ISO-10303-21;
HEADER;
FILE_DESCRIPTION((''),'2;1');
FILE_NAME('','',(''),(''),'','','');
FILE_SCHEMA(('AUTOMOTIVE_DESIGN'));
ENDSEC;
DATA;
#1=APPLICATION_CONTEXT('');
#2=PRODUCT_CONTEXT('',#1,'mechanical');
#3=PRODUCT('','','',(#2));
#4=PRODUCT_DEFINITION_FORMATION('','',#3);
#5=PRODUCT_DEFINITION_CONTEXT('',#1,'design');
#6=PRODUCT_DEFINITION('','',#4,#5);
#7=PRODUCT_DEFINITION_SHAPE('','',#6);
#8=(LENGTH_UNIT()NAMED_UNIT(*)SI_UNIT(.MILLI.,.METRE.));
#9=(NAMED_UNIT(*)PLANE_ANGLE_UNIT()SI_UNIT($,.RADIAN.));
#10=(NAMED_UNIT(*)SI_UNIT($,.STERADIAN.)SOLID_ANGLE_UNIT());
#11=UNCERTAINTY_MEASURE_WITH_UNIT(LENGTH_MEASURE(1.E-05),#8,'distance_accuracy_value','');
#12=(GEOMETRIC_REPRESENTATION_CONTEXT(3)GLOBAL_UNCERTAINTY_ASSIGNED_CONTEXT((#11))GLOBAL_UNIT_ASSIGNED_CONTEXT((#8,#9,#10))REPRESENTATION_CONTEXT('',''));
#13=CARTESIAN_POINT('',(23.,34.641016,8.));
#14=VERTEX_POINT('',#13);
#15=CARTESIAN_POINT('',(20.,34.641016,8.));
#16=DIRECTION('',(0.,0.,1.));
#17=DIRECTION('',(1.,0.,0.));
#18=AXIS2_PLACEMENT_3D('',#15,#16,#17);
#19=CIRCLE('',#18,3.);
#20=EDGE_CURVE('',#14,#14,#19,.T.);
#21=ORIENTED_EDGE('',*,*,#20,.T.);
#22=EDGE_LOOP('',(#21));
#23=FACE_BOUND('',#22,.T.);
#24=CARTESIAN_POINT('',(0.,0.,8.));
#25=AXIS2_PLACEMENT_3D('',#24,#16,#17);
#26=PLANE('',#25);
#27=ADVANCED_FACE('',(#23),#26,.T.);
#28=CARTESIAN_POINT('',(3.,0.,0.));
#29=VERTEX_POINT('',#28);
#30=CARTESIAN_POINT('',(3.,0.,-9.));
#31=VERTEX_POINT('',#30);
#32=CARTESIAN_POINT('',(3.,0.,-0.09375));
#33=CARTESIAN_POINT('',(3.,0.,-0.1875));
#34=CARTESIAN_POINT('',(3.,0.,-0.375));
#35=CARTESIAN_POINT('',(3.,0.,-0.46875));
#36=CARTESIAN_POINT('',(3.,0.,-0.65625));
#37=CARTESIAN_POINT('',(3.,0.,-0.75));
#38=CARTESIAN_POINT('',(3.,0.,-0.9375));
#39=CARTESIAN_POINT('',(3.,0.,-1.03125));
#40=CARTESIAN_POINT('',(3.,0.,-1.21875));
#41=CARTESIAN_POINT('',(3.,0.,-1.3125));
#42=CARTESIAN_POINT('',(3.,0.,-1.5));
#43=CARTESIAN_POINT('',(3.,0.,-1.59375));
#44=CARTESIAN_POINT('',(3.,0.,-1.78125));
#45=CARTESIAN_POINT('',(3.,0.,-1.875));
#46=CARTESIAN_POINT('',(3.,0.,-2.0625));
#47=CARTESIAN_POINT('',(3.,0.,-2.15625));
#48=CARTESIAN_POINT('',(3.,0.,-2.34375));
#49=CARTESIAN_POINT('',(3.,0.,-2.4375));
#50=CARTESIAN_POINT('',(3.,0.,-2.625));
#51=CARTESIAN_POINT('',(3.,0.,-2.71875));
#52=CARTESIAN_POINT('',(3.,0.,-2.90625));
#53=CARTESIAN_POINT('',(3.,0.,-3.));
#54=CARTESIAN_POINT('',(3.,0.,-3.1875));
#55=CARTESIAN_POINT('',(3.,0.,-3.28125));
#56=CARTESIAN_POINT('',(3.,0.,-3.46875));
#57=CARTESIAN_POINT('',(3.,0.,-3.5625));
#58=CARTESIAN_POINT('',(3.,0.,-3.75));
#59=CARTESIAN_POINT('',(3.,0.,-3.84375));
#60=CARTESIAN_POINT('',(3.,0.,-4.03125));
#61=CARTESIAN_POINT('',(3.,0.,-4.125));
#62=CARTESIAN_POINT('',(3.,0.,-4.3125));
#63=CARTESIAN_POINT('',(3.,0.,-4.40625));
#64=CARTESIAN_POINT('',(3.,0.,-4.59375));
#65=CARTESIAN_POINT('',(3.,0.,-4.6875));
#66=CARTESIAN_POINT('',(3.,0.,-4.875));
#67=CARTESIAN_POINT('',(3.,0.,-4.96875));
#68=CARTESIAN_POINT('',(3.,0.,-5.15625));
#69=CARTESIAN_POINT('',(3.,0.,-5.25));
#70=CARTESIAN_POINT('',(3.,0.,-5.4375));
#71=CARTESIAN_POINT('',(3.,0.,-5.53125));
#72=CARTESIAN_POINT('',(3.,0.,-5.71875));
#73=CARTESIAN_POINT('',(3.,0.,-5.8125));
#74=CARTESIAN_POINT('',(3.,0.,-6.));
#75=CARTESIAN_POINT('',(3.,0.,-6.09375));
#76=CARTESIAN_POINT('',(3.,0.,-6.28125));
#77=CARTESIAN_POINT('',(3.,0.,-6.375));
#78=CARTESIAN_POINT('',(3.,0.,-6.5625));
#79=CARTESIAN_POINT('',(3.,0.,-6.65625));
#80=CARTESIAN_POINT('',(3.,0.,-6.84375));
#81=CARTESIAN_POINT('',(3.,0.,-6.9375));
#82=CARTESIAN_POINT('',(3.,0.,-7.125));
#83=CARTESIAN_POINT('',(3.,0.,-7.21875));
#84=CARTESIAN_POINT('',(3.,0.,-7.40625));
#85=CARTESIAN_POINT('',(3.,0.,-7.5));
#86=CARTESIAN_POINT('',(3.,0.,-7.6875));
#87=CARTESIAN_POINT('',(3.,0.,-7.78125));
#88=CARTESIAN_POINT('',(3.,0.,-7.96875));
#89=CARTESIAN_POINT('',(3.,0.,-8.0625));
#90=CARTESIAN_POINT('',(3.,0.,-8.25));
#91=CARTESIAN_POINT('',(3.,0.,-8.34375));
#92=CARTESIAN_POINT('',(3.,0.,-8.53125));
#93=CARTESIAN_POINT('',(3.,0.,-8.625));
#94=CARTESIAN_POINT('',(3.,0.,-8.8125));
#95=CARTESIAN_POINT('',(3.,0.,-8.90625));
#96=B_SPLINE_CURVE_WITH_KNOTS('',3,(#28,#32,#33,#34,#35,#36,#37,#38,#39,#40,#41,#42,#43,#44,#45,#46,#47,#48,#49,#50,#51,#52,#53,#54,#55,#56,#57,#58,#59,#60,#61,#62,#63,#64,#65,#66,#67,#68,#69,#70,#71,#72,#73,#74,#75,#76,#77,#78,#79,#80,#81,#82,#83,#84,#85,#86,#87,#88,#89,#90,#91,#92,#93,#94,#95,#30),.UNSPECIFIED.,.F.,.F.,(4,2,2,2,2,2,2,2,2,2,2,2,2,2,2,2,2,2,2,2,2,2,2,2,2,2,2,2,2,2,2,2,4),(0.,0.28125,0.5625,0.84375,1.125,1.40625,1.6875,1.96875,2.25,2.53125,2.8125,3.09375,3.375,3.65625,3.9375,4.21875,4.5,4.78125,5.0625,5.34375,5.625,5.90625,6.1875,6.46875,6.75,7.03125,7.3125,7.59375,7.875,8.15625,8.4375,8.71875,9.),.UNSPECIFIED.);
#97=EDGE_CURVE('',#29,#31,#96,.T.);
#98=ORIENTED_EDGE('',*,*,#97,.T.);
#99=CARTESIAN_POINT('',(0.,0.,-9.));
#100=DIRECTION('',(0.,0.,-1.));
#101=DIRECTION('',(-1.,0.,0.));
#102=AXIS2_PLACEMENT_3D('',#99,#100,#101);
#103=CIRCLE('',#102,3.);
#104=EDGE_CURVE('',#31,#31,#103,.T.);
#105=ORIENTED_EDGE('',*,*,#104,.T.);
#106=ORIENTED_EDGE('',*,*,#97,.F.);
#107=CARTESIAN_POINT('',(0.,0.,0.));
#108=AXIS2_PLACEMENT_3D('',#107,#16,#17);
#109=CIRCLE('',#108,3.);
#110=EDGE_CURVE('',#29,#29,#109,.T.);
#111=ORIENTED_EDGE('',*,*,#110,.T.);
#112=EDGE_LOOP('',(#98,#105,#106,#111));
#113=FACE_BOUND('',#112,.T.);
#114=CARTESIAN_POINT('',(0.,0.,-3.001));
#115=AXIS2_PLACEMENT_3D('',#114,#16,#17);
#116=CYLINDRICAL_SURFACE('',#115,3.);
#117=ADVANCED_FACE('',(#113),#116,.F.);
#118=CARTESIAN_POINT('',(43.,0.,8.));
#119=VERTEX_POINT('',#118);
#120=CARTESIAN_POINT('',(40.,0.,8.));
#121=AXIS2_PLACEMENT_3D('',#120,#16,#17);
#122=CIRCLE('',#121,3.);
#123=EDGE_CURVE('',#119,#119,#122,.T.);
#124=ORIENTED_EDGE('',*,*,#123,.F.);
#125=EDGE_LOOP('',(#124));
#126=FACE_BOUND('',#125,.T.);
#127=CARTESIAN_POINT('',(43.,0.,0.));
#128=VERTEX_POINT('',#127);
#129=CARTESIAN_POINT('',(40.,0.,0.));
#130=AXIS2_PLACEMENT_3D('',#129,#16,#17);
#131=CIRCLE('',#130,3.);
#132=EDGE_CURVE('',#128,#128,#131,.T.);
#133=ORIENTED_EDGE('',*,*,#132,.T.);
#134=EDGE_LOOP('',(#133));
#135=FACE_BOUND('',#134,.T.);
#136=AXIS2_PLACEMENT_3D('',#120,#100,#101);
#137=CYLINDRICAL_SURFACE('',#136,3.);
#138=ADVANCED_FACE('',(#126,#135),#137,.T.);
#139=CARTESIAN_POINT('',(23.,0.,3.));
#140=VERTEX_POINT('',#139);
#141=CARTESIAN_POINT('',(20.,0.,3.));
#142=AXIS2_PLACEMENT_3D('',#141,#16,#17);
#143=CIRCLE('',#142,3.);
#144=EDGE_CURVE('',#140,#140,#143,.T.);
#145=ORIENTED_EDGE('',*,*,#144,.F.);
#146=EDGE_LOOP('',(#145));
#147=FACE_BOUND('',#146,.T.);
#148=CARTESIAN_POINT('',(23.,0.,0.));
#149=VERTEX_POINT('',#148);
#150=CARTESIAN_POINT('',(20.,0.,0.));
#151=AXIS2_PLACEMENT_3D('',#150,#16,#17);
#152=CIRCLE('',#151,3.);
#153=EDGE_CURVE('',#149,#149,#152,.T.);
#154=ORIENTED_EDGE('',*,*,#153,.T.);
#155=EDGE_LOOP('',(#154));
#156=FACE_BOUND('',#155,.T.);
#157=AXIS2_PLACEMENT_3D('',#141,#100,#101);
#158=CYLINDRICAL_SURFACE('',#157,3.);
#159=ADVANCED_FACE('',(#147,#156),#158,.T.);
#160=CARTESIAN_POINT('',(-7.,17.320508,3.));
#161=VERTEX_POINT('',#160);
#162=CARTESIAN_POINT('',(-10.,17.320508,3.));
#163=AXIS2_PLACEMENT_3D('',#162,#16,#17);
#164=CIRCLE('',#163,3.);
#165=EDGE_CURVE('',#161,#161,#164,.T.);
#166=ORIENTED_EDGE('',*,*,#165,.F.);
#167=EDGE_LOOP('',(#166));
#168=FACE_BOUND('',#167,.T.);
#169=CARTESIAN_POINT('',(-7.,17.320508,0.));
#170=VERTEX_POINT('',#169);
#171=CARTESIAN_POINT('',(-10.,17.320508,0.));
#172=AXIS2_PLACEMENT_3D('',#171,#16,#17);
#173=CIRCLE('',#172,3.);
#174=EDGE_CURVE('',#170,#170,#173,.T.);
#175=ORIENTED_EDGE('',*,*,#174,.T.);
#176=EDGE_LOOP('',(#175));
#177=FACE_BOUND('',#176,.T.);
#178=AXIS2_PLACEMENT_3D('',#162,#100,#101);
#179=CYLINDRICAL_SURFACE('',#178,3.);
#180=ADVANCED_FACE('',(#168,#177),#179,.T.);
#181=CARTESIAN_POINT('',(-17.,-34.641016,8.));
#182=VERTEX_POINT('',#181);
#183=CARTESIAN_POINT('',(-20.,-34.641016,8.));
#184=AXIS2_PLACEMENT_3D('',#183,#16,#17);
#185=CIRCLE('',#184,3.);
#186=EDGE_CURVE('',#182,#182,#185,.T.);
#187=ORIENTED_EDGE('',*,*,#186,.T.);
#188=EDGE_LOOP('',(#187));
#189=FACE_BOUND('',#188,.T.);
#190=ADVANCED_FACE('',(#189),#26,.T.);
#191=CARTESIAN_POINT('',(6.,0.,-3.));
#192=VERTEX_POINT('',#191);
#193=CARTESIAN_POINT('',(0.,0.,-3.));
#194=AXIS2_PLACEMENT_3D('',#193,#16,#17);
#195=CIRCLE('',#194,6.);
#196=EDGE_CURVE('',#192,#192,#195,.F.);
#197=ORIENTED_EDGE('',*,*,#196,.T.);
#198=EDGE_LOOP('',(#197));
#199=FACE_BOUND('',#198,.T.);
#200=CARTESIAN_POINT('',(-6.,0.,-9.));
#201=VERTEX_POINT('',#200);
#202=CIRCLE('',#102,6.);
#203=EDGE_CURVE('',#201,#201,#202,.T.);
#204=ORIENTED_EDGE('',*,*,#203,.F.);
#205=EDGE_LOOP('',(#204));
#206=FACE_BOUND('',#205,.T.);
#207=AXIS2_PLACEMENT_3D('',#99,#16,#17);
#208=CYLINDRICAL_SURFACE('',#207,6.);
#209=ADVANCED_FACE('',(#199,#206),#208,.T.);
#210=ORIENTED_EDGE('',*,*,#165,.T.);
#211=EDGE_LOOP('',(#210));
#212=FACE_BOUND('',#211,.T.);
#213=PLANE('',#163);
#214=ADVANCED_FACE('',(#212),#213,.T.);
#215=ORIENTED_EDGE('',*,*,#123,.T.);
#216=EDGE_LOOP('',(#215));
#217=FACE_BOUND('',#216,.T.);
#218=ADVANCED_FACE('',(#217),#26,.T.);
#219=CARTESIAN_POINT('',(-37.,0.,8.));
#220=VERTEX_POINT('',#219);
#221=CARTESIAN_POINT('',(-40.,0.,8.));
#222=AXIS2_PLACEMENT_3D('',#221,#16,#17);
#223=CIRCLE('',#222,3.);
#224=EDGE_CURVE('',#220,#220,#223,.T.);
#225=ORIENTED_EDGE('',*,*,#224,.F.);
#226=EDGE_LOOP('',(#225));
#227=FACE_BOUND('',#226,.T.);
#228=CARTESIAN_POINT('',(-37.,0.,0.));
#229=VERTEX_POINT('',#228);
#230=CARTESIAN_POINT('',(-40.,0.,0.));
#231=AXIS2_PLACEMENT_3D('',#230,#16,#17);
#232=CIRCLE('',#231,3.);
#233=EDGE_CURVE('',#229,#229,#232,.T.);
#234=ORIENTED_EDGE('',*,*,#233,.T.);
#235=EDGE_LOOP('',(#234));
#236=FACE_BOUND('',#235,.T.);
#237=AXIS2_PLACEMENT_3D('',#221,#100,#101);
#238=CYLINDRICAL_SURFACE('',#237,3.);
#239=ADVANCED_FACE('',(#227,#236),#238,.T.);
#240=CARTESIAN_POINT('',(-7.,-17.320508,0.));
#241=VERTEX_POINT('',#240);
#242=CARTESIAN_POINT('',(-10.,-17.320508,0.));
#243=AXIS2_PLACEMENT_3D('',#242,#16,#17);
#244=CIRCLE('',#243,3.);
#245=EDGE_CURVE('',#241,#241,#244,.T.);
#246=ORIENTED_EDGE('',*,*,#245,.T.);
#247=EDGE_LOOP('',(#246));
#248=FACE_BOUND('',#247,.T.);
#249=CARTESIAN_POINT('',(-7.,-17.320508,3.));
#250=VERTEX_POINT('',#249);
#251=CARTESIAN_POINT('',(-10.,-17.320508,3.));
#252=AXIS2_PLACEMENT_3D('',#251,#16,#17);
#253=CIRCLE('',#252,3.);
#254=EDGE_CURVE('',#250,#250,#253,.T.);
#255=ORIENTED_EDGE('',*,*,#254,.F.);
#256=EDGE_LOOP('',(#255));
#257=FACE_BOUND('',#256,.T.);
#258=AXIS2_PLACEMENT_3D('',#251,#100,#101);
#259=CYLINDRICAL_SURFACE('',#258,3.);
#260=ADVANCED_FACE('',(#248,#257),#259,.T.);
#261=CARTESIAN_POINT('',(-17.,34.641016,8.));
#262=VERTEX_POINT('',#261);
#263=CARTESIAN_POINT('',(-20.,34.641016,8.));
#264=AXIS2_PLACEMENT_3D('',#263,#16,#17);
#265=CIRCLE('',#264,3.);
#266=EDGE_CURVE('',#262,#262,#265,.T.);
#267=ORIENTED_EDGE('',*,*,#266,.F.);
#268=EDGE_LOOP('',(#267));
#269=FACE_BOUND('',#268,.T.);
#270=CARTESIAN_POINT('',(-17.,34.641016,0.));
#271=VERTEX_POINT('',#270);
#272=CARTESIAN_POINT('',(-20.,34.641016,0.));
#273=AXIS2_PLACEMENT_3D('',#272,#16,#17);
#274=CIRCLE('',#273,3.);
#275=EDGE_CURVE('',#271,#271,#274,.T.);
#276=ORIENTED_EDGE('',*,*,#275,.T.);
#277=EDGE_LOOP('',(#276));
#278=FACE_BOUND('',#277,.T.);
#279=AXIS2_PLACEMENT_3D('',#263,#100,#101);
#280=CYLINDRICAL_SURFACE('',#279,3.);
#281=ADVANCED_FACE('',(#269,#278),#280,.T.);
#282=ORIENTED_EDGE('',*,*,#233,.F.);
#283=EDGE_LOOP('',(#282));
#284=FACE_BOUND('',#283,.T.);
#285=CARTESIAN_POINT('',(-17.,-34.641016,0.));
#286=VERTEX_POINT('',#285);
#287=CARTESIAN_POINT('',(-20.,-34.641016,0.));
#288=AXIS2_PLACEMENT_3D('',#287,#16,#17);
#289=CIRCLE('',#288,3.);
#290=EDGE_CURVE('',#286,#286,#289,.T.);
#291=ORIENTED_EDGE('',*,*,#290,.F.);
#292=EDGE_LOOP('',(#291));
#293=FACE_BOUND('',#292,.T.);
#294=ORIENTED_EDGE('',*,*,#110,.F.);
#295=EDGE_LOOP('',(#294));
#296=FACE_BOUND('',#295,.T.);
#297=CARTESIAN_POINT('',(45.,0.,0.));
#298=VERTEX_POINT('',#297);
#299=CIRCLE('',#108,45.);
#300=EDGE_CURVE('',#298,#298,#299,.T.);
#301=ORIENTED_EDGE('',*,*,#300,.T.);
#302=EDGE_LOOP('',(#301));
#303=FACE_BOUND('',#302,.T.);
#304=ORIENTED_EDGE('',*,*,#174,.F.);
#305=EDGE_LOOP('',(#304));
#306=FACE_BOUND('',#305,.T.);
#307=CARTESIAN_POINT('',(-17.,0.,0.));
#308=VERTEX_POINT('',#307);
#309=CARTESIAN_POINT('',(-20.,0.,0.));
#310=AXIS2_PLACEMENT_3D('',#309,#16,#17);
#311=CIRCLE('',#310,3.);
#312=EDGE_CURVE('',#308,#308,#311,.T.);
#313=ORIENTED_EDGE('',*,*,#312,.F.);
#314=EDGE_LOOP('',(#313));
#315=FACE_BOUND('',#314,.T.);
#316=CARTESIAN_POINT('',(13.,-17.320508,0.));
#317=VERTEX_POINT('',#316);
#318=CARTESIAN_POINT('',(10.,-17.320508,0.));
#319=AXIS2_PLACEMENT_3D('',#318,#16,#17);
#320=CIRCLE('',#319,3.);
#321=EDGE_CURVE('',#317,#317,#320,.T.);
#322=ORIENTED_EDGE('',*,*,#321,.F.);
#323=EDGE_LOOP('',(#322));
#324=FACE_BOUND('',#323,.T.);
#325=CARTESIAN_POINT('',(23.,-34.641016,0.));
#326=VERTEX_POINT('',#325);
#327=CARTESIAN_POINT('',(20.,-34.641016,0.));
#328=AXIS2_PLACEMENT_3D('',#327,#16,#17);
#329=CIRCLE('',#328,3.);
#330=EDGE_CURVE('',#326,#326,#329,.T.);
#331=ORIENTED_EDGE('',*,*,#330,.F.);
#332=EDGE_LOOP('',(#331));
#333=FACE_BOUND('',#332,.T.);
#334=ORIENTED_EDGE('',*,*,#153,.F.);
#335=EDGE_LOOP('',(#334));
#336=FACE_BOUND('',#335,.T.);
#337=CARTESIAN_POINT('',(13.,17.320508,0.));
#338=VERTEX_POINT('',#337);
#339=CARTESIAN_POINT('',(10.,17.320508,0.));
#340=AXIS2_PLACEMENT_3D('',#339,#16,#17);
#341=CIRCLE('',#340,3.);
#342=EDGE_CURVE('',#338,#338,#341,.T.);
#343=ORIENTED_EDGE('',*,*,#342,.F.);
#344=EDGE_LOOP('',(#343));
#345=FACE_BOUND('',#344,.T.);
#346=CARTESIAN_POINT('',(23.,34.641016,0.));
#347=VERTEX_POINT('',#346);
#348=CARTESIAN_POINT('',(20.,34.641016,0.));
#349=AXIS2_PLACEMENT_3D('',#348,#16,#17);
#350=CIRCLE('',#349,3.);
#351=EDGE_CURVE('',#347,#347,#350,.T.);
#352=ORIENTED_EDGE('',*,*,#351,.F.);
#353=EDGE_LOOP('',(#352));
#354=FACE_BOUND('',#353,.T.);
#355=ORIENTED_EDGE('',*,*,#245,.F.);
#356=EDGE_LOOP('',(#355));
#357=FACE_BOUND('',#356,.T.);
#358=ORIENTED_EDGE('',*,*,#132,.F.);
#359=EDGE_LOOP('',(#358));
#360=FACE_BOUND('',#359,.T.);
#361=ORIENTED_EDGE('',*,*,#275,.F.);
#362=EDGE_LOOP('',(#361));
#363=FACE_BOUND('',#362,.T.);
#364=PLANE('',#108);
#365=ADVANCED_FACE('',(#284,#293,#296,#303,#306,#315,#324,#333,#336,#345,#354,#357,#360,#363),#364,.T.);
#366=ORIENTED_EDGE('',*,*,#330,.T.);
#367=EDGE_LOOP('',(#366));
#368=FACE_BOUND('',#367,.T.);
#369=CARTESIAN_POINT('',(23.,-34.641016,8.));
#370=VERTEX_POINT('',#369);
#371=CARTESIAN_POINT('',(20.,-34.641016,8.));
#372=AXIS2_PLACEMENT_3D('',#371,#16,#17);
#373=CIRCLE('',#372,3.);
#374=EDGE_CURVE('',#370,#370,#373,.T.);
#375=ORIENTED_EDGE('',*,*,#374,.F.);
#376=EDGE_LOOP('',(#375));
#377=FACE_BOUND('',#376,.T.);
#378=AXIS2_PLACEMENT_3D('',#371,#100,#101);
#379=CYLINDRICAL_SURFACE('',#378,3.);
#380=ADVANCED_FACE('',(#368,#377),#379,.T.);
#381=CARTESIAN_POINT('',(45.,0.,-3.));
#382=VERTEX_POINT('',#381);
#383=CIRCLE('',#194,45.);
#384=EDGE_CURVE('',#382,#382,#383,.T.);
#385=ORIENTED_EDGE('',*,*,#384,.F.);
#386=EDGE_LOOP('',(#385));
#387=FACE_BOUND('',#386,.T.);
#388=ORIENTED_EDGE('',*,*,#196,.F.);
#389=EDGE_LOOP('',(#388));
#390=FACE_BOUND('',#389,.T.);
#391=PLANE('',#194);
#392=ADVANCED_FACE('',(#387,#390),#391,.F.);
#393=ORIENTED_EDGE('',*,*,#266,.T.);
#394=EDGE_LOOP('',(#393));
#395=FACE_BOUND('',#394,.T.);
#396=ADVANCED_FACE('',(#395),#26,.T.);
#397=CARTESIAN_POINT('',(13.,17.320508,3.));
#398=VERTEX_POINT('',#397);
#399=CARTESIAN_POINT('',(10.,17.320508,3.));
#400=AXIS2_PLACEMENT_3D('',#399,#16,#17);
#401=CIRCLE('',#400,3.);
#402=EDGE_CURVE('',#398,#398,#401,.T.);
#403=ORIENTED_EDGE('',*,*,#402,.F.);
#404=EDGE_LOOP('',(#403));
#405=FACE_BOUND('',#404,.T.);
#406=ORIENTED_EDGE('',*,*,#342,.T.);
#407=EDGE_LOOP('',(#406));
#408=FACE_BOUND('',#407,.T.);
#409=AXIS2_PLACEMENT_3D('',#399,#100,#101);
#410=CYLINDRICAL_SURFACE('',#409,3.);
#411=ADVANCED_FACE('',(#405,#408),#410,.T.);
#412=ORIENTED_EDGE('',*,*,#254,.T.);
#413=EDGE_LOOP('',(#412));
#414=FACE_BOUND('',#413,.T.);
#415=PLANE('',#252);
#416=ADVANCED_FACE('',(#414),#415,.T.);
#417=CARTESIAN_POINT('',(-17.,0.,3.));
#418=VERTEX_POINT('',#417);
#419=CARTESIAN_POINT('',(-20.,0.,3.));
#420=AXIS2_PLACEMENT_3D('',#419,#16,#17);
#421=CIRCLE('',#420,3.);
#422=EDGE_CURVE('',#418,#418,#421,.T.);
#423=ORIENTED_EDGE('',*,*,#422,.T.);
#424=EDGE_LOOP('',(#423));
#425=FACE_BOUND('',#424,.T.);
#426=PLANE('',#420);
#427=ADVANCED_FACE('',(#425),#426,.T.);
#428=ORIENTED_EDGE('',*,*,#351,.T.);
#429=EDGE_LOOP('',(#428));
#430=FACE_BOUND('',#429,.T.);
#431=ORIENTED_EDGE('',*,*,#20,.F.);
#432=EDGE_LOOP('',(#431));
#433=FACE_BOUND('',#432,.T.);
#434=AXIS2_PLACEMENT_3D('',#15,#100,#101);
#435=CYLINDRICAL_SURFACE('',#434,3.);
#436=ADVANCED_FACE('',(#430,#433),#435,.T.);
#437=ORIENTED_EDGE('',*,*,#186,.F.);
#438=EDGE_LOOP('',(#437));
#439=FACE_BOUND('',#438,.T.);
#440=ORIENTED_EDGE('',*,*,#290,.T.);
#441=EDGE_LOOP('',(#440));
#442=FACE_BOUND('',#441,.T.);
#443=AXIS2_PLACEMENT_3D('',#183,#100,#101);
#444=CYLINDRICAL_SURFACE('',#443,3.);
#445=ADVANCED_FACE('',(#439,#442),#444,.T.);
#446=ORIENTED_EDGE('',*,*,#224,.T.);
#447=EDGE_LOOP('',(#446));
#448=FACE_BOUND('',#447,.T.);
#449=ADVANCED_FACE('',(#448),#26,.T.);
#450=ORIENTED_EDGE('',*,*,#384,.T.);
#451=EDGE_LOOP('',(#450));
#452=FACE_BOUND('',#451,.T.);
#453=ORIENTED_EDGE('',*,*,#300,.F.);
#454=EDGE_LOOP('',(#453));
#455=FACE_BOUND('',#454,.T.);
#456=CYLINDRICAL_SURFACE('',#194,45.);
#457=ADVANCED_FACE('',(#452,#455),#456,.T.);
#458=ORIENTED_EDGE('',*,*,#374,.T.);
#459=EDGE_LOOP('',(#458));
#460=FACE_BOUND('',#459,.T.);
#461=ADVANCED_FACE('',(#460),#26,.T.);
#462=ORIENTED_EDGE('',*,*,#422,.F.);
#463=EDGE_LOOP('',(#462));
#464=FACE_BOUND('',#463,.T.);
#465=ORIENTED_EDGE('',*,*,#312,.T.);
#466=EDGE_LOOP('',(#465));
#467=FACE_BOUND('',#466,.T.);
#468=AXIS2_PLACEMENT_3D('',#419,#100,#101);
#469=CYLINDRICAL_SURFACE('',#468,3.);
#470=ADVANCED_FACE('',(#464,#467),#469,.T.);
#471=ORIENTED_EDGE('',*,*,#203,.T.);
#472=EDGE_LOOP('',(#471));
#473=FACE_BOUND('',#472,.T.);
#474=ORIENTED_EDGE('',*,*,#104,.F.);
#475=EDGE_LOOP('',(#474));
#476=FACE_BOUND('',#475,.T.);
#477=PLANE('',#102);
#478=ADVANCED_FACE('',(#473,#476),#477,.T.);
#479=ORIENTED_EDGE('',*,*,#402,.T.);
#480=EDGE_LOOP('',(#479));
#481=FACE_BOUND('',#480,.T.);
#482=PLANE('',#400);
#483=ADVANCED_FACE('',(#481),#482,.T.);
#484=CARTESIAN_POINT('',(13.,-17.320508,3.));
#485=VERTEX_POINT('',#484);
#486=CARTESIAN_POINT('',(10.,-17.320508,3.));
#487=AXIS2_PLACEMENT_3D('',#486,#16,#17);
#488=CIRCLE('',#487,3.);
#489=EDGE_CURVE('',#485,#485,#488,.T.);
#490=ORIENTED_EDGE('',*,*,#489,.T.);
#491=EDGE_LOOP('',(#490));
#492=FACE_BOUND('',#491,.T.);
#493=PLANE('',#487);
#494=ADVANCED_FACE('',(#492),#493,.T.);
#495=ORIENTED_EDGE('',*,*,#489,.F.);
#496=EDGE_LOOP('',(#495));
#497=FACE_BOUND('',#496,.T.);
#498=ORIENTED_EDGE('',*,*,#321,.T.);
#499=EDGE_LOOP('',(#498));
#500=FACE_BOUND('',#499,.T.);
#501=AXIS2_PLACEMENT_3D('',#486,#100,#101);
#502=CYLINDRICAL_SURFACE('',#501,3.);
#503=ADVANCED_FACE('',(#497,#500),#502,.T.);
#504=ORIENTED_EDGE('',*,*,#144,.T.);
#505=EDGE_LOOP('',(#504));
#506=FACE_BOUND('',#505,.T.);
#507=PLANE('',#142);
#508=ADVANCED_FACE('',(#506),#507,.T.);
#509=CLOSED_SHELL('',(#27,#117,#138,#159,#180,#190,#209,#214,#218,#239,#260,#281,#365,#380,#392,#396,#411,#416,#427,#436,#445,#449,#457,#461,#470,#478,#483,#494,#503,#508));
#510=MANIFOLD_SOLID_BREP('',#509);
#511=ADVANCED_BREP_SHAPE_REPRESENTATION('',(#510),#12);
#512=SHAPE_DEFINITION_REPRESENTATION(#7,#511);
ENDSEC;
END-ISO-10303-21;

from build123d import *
from build123d.topology import SkipClean

# Parameters (mm, degrees)
SKETCH_1_R          = 45
EXTRUDE_1_DEPTH     = 3
SKETCH_2_R          = 3
EXTRUDE_2_DEPTH     = 8
SKETCH_4_R          = 3
EXTRUDE_4_DEPTH     = 3
CUT_EXTRUDE_1_REACH = 66.14
SKETCH_3_R          = 3
SKETCH_5_R          = 6
SKETCH_5_R_2        = 3
EXTRUDE_1_2_DEPTH   = 6


with BuildPart() as part:
    # 草图1 → Extrude 1 (new body)
    with BuildSketch(Plane.XY):
        Circle(SKETCH_1_R)
    extrude(amount=-EXTRUDE_1_DEPTH)

    # 草图2 → 凸台-拉伸2 (add)
    with BuildSketch(Plane.XY):
        with Locations((-40, 0)):
            Circle(SKETCH_2_R)
        with Locations((-20, 34.641016151)):
            Circle(SKETCH_2_R)
        with Locations((20, 34.641016151)):
            Circle(SKETCH_2_R)
        with Locations((40, 0)):
            Circle(SKETCH_2_R)
        with Locations((20, -34.641016151)):
            Circle(SKETCH_2_R)
        with Locations((-20, -34.641016151)):
            Circle(SKETCH_2_R)
    extrude(amount=EXTRUDE_2_DEPTH)

    # 草图4 → 凸台-拉伸4 (add)
    with BuildSketch(Plane.XY):
        with Locations((-10, 17.320508076)):
            Circle(SKETCH_4_R)
        with Locations((10, 17.320508076)):
            Circle(SKETCH_4_R)
        with Locations((20, 0)):
            Circle(SKETCH_4_R)
        with Locations((10, -17.320508076)):
            Circle(SKETCH_4_R)
        with Locations((-10, -17.320508076)):
            Circle(SKETCH_4_R)
        with Locations((-20, 0)):
            Circle(SKETCH_4_R)
    extrude(amount=EXTRUDE_4_DEPTH)

    # 草图3 → 切除-拉伸1 (cut, up to next)
    with BuildSketch(Plane.XY, mode=Mode.PRIVATE) as cut_extrude_1_sk1:
        Circle(SKETCH_3_R)
    cut_extrude_1_tool1 = extrude(cut_extrude_1_sk1.sketch, amount=-CUT_EXTRUDE_1_REACH, mode=Mode.PRIVATE) & part.part
    add(cut_extrude_1_tool1.solids().sort_by_distance((0, 0, 0))[0], mode=Mode.SUBTRACT)

    # 草图5 → Extrude 1 2 (add)
    with SkipClean():  # the faces are left unmerged after this step: merging them gives an invalid solid
        with BuildSketch(Plane(origin=(0, 0, -3), x_dir=(-1, 0, 0), z_dir=(0, 0, -1))):
            Circle(SKETCH_5_R)
            Circle(SKETCH_5_R_2, mode=Mode.SUBTRACT)
        extrude(amount=EXTRUDE_1_2_DEPTH)


solid = part.part
